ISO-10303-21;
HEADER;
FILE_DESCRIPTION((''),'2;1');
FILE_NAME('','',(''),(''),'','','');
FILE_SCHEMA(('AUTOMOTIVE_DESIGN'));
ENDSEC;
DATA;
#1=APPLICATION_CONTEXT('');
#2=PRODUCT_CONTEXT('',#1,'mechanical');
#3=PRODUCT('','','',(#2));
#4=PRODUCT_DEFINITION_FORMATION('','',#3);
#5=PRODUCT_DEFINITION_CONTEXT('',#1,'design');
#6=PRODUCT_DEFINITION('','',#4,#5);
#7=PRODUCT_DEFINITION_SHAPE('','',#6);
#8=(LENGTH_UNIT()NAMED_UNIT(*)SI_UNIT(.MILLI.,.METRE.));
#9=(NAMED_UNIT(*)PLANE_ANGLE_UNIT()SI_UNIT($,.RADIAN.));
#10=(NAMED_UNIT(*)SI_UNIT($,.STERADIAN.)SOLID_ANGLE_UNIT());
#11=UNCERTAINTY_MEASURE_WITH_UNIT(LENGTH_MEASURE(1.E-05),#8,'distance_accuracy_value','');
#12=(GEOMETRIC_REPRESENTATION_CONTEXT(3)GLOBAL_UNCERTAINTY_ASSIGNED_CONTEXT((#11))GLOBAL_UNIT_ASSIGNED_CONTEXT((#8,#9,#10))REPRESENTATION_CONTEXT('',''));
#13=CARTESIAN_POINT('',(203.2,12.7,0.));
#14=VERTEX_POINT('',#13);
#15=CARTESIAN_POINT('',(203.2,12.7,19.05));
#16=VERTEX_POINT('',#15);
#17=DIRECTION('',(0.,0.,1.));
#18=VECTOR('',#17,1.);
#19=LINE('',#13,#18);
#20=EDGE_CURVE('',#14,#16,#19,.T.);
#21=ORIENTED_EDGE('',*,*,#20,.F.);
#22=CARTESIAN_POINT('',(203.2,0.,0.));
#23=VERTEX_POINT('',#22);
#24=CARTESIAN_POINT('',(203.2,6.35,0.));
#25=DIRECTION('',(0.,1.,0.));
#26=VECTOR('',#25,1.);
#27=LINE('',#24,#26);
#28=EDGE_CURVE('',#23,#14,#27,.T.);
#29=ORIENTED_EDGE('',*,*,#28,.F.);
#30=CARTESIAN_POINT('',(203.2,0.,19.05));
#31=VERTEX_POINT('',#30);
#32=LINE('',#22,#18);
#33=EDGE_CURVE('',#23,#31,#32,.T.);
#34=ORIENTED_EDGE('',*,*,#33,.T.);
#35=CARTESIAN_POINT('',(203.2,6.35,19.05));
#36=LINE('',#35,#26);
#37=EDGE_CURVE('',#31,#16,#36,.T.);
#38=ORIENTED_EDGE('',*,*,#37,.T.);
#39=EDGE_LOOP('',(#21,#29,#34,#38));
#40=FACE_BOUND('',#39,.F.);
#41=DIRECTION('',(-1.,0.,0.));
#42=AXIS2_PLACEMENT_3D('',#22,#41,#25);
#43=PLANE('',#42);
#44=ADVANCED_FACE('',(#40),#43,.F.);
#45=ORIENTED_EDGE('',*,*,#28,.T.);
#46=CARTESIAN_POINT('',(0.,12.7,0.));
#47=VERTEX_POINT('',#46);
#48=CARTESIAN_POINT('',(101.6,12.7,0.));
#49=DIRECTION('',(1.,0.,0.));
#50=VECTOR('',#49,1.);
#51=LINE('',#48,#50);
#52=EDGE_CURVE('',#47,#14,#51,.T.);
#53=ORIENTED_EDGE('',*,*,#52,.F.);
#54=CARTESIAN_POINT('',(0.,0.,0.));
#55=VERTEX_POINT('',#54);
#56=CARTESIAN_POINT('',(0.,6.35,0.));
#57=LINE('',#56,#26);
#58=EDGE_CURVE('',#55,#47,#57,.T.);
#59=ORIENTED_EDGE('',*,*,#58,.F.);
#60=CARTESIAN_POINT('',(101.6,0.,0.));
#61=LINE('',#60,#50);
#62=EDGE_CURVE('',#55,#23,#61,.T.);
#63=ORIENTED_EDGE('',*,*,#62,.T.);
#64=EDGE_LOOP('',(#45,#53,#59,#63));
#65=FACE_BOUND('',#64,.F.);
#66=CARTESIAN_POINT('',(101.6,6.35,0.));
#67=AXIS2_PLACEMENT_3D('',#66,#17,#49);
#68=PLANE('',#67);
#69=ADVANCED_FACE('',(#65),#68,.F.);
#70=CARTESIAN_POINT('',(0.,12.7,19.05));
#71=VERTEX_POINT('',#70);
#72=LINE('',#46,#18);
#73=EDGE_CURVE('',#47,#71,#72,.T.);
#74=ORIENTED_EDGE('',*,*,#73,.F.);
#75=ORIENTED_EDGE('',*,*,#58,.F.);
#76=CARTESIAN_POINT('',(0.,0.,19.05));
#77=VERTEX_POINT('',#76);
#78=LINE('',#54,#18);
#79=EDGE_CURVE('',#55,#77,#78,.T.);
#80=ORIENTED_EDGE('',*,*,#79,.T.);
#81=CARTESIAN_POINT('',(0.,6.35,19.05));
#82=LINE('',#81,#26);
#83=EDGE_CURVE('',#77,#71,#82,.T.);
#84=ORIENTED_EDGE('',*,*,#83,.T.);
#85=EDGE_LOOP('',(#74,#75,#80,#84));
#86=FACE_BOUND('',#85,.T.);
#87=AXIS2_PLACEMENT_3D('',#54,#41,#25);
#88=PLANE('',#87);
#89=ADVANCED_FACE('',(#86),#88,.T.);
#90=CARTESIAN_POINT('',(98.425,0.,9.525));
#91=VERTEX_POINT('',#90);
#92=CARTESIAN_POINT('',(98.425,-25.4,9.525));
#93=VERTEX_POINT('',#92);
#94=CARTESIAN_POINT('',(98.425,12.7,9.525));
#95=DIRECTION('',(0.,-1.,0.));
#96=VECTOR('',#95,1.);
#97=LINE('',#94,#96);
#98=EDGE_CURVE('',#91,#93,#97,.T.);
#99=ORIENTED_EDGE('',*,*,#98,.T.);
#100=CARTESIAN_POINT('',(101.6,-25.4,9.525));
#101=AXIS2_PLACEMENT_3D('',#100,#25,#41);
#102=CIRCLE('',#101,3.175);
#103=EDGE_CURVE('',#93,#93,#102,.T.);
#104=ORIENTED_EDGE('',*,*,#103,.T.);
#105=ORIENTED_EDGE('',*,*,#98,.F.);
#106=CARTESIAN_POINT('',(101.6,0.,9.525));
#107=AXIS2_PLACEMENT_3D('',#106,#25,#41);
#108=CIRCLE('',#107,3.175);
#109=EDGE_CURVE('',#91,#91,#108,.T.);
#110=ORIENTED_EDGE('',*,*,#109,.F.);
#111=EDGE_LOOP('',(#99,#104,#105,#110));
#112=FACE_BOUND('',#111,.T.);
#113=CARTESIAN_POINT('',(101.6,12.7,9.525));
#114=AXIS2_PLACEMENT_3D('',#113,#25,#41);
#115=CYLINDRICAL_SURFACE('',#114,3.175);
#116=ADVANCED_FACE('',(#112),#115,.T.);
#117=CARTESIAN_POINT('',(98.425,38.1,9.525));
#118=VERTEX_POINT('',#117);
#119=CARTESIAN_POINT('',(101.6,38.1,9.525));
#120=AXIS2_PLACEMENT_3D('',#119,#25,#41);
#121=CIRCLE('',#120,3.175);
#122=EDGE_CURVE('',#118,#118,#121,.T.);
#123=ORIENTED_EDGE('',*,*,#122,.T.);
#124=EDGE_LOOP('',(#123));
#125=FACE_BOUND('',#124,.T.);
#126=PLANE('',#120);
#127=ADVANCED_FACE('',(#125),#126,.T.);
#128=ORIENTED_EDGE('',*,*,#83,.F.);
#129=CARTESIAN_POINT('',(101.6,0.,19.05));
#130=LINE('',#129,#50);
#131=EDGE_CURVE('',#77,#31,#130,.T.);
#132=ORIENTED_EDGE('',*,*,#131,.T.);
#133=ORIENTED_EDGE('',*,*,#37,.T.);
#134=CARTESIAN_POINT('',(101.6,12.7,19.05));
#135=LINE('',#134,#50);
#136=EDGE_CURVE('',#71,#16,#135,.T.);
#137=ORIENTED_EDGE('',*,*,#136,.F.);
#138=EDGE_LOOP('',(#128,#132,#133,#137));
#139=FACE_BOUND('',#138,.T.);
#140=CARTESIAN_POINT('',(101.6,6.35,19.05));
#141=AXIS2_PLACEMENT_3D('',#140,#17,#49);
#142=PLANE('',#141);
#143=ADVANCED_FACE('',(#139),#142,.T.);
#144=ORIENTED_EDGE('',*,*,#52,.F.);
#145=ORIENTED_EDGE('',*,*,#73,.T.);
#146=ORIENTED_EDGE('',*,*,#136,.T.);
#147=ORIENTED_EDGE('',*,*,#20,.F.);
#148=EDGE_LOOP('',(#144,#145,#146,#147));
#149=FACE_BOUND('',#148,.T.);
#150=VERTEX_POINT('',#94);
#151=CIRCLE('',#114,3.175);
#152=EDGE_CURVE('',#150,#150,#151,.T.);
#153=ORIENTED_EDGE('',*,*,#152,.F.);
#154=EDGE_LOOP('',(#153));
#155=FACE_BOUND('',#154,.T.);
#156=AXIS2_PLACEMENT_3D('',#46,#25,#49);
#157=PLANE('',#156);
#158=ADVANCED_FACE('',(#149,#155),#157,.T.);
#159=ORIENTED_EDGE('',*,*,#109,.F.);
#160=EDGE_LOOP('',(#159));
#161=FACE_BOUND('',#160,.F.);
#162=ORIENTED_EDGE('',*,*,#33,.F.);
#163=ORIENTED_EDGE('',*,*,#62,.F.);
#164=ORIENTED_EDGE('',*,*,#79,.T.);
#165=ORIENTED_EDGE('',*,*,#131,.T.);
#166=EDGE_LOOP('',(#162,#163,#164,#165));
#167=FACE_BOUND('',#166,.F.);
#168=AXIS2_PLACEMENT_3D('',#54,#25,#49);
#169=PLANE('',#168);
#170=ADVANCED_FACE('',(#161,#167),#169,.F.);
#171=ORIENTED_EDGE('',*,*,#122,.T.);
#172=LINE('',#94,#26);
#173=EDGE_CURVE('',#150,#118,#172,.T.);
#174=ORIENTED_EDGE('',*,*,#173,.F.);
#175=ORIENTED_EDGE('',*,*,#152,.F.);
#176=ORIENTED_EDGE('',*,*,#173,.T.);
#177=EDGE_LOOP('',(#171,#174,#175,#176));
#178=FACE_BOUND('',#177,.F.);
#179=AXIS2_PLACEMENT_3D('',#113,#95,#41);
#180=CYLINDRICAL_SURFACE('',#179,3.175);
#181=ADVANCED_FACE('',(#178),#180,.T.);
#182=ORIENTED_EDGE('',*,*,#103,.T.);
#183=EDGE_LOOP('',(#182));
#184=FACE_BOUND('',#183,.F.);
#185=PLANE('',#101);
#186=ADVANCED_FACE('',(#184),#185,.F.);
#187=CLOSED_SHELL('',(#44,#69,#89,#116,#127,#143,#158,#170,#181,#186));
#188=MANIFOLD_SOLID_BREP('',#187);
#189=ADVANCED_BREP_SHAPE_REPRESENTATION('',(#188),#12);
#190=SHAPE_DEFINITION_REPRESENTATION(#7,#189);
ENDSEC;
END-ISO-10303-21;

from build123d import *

# Parameters (mm, degrees)
F0_W          = 203.2
F0_H          = 12.7
F1_DEPTH      = 19.05
F2_R          = 3.175
F3_DEPTH      = 25.4
F3_DEPTH_BACK = 38.1


with BuildPart() as f1:
    # F0 (on Top) → F1 (new body)
    with BuildSketch(Plane.XY):
        with Locations((101.6, 6.35)):
            Rectangle(F0_W, F0_H)
    extrude(amount=F1_DEPTH)

    # F2 (on face) → F3 (join, two sides)
    with BuildSketch(Plane(origin=(0, 12.7, 0), x_dir=(-1, 0, 0), z_dir=(0, 1, 0))) as f3_sk:
        with Locations((-101.6, 9.525)):
            Circle(F2_R)
    extrude(amount=F3_DEPTH)
    extrude(f3_sk.sketch, amount=-F3_DEPTH_BACK)


solid = f1.part
